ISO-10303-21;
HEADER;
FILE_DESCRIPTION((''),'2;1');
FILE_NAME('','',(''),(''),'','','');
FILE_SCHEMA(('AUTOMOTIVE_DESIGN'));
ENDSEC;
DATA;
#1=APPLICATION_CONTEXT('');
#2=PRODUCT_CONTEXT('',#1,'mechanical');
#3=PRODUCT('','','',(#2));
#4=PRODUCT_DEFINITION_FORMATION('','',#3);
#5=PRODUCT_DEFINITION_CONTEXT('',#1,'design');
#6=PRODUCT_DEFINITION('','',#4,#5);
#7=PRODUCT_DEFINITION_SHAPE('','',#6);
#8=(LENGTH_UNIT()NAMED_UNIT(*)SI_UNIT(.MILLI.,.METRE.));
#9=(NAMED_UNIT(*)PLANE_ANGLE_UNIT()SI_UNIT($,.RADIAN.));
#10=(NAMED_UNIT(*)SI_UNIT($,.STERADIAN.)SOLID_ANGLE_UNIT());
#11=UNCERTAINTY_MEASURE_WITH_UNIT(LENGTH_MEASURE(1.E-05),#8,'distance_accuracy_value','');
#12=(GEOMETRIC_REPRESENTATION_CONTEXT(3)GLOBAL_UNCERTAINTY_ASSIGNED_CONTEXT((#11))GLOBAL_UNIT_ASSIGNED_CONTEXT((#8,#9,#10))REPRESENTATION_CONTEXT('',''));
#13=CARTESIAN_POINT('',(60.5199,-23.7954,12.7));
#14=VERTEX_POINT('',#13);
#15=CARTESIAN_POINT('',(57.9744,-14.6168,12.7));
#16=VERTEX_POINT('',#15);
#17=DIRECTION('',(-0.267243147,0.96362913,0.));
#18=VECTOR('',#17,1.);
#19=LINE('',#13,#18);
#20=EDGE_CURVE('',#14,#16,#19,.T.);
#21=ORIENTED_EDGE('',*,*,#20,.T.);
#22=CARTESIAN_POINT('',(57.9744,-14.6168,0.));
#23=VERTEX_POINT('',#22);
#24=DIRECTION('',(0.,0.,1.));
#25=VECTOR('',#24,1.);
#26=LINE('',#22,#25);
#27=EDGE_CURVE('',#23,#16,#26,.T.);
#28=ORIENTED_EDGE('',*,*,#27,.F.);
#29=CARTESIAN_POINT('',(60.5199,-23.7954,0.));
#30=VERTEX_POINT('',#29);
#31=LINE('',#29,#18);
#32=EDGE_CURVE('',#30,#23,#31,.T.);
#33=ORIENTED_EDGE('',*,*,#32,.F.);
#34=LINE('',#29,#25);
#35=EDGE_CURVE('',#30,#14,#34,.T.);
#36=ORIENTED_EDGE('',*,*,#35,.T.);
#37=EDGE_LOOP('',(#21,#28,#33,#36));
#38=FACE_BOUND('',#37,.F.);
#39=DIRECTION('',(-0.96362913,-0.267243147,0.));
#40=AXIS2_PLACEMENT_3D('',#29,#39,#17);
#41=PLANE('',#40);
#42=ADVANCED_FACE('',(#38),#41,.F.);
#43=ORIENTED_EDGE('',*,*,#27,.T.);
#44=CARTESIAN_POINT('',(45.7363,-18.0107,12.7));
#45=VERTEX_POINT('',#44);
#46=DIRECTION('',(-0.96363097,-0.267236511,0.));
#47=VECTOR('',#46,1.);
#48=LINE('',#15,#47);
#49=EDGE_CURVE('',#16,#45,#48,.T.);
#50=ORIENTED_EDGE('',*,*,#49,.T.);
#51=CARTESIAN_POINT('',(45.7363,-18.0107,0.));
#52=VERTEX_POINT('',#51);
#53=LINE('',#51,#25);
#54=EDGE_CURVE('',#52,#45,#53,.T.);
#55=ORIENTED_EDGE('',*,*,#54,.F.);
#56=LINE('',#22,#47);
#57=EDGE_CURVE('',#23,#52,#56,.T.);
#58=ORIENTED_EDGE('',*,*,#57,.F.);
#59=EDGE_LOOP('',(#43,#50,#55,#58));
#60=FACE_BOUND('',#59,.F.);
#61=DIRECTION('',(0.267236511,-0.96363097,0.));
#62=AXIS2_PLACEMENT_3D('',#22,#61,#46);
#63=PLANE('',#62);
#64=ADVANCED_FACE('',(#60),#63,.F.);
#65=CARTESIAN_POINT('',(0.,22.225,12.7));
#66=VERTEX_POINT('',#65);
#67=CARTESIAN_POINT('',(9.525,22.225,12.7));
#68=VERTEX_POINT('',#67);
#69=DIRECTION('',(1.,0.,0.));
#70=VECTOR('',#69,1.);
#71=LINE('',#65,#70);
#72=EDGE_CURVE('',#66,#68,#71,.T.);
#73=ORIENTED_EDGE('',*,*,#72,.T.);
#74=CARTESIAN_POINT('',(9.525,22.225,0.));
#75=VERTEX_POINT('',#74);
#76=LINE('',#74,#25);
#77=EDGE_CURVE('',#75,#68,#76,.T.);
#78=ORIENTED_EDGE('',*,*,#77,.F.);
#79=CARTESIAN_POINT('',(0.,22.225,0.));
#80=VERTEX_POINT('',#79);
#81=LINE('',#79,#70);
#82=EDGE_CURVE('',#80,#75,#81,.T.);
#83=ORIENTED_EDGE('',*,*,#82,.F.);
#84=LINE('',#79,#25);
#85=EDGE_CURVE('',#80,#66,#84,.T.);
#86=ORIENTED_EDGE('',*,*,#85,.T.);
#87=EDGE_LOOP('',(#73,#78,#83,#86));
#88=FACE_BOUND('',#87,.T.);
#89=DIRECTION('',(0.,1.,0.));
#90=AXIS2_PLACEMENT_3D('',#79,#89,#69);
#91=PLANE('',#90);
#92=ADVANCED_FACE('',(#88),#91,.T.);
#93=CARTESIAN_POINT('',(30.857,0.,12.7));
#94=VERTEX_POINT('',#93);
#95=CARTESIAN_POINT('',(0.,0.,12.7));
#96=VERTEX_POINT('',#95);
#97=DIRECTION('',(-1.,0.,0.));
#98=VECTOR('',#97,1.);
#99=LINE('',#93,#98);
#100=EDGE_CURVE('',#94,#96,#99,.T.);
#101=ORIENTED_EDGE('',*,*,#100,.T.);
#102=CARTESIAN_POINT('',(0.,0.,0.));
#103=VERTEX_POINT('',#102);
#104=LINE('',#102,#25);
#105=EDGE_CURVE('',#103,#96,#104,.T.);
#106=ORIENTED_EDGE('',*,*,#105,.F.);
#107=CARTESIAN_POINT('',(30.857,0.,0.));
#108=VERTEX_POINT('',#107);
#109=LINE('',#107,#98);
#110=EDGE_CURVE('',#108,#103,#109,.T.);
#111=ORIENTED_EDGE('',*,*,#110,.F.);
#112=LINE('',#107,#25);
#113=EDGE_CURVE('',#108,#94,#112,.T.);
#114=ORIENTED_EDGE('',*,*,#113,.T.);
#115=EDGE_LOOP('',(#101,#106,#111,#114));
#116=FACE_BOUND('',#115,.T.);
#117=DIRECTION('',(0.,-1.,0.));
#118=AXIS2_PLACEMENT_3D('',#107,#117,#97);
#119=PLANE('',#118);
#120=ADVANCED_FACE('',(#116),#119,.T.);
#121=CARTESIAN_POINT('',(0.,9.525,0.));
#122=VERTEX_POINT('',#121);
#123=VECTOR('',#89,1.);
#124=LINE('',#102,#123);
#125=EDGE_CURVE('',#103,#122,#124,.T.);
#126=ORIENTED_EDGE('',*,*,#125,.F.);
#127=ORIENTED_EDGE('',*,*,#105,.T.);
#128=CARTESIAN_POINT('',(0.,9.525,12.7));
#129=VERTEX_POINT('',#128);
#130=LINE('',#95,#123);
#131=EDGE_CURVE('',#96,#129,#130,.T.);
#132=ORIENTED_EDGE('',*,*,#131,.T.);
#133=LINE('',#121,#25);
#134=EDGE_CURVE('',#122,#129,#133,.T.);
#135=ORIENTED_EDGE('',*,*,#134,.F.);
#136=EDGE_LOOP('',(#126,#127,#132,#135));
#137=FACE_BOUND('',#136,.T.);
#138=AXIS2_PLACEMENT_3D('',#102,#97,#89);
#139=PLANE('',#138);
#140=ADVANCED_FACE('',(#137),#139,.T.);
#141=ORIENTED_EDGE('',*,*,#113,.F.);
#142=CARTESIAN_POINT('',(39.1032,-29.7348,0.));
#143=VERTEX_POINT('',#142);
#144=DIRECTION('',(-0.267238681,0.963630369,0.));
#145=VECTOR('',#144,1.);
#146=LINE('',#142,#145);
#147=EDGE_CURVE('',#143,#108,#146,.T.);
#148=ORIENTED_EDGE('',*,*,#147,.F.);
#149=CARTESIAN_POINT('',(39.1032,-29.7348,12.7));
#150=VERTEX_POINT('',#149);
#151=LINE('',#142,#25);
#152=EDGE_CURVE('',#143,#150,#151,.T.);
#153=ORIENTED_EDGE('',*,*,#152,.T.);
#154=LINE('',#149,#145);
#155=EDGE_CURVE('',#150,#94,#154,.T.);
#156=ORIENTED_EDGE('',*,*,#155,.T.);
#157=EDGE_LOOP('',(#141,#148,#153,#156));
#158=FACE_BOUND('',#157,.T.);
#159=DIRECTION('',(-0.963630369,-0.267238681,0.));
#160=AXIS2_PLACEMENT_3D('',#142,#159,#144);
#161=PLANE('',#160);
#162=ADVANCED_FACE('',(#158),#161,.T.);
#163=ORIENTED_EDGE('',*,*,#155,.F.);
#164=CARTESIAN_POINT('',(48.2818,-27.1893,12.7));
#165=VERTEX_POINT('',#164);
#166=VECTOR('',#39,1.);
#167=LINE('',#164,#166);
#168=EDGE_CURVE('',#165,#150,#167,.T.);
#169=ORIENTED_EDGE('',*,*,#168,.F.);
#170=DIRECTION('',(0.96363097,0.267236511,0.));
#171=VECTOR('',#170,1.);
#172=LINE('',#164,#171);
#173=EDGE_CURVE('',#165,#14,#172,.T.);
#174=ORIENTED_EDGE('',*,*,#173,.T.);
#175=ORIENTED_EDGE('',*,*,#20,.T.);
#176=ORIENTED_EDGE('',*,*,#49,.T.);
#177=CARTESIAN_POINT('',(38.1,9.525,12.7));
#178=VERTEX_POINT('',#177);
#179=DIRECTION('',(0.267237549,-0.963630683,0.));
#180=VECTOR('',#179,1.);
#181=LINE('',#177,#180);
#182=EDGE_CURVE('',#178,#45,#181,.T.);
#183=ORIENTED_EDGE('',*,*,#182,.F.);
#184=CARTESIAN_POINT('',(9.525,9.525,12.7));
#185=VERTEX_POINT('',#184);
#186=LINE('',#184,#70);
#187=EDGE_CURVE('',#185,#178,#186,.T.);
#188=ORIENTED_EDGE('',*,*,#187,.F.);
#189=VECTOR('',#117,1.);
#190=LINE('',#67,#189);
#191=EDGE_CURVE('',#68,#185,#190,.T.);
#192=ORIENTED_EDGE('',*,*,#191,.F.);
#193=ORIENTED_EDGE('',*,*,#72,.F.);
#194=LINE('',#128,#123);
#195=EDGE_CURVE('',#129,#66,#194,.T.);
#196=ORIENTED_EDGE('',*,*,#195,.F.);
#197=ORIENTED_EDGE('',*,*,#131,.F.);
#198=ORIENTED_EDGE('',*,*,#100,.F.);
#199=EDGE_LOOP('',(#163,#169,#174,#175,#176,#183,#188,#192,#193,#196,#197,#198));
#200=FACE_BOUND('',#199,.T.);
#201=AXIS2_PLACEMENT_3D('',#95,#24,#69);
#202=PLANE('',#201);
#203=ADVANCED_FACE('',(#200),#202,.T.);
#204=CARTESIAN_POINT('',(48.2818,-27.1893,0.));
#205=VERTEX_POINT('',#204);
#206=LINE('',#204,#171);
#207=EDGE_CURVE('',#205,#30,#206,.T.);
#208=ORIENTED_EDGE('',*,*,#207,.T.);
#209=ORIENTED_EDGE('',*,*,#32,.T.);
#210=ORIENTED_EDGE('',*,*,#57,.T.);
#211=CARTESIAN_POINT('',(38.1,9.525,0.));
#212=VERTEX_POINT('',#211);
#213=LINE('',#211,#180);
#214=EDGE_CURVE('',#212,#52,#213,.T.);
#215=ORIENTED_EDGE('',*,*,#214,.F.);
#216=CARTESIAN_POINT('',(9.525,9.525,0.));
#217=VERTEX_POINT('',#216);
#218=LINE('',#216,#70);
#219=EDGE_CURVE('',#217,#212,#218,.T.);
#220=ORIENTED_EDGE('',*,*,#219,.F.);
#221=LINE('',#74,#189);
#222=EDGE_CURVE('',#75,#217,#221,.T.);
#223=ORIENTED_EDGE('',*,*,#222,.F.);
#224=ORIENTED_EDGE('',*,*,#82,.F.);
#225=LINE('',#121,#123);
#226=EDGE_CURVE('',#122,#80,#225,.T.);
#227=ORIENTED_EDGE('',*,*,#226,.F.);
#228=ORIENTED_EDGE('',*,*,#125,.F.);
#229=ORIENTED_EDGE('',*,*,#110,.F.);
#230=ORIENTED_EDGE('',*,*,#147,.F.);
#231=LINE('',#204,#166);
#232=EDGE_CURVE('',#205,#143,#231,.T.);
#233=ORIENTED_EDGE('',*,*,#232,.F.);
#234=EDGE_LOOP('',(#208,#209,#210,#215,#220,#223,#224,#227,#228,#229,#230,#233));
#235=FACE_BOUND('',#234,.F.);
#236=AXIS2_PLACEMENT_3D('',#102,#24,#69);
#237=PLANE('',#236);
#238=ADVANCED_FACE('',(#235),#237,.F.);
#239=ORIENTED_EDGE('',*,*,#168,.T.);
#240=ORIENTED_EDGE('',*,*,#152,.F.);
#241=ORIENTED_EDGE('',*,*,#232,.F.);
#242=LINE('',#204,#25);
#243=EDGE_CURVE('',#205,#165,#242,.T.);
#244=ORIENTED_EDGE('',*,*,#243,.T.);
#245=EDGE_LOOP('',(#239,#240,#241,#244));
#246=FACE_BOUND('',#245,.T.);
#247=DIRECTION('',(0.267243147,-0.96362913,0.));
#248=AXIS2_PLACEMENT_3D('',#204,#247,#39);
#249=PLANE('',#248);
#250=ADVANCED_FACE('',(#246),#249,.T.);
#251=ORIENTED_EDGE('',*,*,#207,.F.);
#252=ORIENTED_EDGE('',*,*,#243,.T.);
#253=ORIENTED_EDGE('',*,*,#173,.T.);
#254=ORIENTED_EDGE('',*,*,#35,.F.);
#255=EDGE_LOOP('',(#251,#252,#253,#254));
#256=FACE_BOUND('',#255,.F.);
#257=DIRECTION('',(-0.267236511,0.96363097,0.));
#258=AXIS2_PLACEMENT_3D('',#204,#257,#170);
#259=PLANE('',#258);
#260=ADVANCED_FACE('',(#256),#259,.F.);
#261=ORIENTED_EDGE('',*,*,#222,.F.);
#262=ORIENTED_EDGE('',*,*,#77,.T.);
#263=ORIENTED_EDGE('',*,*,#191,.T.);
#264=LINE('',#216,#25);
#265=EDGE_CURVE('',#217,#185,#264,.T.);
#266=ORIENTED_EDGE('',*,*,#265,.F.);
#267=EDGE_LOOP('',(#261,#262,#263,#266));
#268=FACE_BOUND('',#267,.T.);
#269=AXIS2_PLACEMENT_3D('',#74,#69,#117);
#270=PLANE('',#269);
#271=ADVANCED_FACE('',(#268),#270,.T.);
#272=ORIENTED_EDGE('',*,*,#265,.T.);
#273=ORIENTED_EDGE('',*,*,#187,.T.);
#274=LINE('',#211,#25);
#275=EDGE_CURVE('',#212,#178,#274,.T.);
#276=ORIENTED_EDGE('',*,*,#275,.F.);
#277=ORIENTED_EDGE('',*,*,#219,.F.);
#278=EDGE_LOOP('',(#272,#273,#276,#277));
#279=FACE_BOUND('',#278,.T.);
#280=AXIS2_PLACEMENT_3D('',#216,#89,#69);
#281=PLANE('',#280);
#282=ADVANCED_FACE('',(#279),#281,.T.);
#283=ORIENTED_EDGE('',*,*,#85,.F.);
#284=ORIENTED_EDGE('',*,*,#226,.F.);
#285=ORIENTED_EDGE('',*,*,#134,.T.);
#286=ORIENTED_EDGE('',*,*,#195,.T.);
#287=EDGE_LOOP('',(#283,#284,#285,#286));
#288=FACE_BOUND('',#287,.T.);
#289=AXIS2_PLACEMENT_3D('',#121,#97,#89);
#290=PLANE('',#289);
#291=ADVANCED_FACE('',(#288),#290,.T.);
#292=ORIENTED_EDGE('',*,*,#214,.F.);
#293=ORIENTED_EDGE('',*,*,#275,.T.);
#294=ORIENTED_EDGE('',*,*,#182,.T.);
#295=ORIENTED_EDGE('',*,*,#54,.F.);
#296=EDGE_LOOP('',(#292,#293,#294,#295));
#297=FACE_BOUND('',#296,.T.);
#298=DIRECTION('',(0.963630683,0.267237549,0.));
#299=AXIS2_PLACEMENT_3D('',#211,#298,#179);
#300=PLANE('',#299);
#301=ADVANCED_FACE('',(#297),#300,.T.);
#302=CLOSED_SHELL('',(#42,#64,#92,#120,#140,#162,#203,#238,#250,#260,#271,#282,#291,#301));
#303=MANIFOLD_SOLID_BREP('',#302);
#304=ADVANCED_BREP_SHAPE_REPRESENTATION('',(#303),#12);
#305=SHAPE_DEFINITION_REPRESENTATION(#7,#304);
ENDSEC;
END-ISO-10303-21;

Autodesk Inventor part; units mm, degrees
ref_plane "YZ Plane" through (0, 0, 0) normal (1, 0, 0) x (0, 1, 0)
ref_plane "XZ Plane" through (0, 0, 0) normal (0, 1, 0) x (-1, 0, 0)
ref_plane "XY Plane" through (0, 0, 0) normal (0, 0, 1) x (1, 0, 0)
sketch "Sketch1" plane through (0, 0, 0) normal (0, 0, 1) x (1, 0, 0)
  line L0 (0, 0) -> (0, 9.525)
  line L1 (9.525, 9.525) -> (38.1, 9.525)
  line L2 (38.1, 9.525) -> (45.7363, -18.0107)
  line L3 (38.1, 9.525) -> (76.2, 9.525) construction
  line L4 (48.2818, -27.1893) -> (39.1032, -29.7348)
  line L5 (39.1032, -29.7348) -> (30.857, 0)
  line L6 (30.857, 0) -> (0, 0)
  line L7 (48.2818, -27.1893) -> (60.5199, -23.7954)
  line L8 (60.5199, -23.7954) -> (57.9744, -14.6168)
  line L9 (57.9744, -14.6168) -> (45.7363, -18.0107)
  line L10 (0, 9.525) -> (0, 22.225)
  line L11 (0, 22.225) -> (9.525, 22.225)
  line L12 (9.525, 22.225) -> (9.525, 9.525)
  dimension "d0" = 9.525
  dimension "d1" = 38.1
  dimension "d2" = 38.1
  dimension "d3" = 74.5
  dimension "d4" = 9.525
  dimension "d24" = 12.7
  dimension "d25" = 9.525
  dimension "d26" = 12.7
  dimension "d27" = 9.525
extrude "Extrusion1" add sketch "Sketch1" along normal blind 12.7
properties part number "AttachmentPlateHopper_v1"
